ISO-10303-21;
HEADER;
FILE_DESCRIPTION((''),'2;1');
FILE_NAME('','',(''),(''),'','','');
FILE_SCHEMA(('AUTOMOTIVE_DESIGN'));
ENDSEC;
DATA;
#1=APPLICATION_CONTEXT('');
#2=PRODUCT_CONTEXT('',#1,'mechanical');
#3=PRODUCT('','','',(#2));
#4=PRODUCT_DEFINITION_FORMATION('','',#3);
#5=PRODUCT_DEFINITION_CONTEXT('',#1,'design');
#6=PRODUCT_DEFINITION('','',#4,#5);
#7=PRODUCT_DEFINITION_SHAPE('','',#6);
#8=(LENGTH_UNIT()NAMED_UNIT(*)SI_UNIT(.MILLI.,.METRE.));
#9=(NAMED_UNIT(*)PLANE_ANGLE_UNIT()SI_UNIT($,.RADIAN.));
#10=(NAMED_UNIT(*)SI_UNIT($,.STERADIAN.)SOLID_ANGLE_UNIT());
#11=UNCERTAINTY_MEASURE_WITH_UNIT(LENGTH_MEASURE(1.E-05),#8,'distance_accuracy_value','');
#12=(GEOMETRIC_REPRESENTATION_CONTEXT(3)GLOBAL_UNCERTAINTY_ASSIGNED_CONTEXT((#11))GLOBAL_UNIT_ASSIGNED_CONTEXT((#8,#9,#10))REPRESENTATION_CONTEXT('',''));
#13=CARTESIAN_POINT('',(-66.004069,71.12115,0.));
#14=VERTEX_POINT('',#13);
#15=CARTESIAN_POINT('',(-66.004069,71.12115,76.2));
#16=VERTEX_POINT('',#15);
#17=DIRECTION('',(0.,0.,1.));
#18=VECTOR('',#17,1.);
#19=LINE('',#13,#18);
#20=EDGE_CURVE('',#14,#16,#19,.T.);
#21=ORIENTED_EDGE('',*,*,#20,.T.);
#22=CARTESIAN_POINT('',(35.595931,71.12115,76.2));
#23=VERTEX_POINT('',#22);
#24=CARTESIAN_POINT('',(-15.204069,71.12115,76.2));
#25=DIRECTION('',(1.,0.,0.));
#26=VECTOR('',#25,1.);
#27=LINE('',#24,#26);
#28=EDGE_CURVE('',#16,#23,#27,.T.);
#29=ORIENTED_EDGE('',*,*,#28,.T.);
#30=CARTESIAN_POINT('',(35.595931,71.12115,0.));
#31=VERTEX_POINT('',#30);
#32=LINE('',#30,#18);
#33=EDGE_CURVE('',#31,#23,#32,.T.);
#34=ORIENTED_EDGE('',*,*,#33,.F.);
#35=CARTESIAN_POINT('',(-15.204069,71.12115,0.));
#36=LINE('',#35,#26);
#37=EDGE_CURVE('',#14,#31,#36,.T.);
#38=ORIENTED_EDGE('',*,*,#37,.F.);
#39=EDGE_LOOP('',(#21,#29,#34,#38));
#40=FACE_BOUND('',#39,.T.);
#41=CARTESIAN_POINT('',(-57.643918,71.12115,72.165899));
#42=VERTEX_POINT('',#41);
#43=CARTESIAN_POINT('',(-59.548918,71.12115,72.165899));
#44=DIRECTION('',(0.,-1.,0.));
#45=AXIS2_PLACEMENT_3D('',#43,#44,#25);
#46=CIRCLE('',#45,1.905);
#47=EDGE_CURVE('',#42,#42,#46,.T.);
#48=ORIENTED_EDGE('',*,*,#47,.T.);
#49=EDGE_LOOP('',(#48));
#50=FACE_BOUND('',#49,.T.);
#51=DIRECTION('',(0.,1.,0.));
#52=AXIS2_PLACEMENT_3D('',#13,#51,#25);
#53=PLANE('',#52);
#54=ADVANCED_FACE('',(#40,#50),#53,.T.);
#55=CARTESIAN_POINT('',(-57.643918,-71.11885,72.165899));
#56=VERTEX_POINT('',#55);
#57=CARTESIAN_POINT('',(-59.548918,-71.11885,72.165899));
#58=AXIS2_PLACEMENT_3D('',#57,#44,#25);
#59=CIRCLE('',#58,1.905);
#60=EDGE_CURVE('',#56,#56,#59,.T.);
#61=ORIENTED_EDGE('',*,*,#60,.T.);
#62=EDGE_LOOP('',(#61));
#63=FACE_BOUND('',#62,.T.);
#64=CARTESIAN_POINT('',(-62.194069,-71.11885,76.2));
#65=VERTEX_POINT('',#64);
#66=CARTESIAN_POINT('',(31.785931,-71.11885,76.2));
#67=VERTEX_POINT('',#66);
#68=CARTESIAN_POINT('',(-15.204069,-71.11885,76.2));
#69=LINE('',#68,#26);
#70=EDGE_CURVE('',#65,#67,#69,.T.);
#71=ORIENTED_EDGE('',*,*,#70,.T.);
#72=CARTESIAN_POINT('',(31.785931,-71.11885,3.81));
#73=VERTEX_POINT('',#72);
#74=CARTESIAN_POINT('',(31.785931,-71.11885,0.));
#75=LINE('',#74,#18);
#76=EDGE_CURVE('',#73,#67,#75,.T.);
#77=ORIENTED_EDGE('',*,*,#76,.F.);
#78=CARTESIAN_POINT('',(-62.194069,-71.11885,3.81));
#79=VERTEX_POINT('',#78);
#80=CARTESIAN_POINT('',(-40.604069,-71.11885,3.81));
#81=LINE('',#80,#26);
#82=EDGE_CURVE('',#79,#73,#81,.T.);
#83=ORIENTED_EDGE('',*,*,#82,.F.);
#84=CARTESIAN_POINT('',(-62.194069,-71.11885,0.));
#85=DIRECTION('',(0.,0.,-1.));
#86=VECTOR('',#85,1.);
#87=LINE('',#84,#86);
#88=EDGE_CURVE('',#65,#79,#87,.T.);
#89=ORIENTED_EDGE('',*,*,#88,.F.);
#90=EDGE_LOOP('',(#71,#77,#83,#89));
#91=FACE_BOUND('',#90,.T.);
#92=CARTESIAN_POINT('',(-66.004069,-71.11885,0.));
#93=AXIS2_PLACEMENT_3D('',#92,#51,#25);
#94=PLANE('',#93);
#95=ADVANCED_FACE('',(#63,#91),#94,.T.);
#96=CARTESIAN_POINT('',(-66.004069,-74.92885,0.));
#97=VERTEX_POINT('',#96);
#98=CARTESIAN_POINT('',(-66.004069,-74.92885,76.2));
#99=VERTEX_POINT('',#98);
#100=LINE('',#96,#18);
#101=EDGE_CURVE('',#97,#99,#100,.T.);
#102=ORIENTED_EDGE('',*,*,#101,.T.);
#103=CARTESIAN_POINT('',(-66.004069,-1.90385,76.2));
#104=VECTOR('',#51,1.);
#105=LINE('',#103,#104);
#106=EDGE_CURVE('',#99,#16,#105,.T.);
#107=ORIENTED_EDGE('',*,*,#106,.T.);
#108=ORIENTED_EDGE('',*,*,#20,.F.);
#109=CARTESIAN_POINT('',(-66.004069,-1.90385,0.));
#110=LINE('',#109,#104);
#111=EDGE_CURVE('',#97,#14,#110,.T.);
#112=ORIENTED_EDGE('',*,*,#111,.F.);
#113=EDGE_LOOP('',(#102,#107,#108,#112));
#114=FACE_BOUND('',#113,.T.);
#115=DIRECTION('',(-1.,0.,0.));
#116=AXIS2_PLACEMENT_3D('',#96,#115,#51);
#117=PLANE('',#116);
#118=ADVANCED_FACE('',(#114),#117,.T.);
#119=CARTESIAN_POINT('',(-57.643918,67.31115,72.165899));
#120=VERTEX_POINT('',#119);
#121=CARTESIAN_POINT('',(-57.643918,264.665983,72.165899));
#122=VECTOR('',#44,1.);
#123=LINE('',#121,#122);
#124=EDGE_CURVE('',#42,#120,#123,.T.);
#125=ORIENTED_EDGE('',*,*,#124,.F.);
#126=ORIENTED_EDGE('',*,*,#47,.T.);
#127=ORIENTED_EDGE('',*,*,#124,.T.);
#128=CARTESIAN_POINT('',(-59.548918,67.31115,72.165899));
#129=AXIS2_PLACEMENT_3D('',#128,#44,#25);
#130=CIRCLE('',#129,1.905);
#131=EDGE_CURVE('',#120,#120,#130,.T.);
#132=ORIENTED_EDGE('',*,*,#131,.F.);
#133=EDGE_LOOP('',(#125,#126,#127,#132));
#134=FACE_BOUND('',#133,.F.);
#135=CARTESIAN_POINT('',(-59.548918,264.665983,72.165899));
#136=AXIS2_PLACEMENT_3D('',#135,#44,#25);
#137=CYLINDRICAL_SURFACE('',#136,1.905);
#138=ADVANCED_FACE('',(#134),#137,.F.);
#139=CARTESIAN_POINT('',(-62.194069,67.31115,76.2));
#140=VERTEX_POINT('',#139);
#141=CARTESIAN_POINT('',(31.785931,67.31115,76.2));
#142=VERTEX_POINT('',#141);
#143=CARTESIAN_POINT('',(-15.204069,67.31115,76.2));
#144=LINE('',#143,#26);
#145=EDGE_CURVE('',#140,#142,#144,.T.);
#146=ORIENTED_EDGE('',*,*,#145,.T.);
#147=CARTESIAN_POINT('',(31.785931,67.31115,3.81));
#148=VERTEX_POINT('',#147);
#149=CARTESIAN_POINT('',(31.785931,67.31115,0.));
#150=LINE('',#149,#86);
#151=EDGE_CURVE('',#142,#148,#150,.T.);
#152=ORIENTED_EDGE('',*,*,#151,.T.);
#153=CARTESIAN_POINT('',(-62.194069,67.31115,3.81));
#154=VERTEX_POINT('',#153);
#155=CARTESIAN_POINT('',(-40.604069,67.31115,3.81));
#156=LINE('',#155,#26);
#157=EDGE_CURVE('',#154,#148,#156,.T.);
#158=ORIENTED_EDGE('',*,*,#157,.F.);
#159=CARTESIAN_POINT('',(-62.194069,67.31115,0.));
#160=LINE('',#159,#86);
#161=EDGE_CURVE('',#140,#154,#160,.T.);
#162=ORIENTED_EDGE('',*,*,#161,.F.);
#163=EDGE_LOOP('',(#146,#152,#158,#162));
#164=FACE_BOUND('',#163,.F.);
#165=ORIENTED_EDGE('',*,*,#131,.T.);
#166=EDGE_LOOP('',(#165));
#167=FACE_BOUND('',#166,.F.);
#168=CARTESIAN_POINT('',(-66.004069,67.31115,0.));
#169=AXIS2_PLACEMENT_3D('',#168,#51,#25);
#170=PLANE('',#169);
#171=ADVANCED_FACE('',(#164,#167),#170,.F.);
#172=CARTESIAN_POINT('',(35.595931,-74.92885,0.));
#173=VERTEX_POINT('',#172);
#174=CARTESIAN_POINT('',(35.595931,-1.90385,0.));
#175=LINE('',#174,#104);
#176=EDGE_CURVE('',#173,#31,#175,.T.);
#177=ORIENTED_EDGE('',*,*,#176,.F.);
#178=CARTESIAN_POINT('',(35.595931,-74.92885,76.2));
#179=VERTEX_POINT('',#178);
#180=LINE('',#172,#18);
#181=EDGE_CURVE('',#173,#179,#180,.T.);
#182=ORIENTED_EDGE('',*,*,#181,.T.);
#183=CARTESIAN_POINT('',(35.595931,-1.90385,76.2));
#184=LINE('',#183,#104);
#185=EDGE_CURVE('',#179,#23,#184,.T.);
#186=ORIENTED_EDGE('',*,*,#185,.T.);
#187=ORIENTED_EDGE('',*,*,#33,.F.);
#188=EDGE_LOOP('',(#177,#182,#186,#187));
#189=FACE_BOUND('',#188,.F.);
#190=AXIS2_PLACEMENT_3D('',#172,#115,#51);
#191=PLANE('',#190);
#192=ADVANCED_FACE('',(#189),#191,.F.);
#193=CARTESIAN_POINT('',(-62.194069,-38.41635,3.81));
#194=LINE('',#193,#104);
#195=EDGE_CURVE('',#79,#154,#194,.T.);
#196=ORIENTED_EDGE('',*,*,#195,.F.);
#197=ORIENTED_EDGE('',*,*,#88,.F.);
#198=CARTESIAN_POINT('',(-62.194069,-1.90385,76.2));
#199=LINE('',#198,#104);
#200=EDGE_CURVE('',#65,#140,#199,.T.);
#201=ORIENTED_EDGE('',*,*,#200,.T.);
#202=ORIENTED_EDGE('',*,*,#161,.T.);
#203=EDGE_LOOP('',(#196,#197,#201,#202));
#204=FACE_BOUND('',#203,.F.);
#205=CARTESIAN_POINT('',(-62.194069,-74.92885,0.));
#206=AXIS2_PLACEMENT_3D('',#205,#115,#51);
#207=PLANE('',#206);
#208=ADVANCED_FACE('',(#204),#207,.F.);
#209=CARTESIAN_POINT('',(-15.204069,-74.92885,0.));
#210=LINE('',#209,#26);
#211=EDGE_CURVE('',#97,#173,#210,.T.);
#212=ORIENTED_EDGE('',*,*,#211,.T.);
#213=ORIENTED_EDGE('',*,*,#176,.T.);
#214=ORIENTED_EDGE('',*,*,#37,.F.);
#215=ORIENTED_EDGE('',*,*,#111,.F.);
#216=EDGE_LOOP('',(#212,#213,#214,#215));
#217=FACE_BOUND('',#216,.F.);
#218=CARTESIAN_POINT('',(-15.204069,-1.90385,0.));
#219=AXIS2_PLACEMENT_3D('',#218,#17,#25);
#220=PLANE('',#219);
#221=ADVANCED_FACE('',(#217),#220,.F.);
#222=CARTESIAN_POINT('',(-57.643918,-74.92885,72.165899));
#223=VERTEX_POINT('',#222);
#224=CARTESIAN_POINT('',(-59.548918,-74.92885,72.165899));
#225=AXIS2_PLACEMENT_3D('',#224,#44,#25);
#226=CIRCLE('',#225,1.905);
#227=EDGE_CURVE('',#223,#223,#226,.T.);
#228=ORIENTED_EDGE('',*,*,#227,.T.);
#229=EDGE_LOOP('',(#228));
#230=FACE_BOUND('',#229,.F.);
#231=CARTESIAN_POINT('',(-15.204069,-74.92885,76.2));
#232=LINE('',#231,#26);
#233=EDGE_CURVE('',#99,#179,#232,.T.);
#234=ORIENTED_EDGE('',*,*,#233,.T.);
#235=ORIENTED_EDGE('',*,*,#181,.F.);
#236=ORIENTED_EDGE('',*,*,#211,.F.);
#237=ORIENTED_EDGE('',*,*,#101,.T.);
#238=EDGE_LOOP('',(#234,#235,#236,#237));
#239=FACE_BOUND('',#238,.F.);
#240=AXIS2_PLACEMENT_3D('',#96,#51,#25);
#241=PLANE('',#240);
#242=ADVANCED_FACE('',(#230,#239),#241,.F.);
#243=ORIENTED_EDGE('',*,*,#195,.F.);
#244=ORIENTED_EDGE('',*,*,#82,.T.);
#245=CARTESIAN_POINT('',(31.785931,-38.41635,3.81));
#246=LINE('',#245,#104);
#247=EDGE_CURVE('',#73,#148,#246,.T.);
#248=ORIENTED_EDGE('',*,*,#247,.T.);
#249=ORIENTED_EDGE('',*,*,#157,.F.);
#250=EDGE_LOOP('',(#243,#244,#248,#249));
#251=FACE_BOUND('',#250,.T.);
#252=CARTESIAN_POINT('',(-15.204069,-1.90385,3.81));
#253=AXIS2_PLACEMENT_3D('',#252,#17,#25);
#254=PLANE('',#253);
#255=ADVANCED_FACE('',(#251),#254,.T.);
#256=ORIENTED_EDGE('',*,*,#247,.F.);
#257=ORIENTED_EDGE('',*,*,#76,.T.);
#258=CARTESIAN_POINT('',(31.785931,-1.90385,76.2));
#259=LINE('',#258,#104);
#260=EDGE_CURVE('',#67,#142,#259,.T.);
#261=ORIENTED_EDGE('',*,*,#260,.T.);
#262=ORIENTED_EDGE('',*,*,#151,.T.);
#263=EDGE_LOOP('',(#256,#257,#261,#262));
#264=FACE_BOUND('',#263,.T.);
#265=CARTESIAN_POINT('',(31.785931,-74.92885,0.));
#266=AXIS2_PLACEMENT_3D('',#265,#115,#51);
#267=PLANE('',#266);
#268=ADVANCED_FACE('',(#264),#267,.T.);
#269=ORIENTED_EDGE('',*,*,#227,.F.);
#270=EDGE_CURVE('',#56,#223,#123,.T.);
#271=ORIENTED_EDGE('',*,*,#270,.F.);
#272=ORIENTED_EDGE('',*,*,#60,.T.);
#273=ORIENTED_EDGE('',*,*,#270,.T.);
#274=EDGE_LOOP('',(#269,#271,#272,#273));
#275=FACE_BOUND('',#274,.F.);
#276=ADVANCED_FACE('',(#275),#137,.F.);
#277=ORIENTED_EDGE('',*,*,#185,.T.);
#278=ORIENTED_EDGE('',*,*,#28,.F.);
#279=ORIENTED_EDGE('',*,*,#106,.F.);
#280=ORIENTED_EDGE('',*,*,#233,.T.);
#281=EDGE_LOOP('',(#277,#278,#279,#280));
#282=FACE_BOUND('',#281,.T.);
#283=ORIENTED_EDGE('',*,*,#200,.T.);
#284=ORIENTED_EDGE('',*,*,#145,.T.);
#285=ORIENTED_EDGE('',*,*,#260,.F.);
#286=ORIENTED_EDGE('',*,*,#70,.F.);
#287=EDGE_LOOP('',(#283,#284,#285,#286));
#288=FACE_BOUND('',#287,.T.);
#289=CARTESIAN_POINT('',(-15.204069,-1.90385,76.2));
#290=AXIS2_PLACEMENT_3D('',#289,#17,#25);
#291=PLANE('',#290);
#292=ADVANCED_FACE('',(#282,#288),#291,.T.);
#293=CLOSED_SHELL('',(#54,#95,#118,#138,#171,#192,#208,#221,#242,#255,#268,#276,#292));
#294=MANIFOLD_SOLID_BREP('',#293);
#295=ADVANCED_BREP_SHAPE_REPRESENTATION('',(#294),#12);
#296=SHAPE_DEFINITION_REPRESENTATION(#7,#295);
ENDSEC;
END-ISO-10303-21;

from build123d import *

# Parameters (mm, degrees)
F0_W     = 101.6
F0_H     = 146.05
F1_DEPTH = 76.2
F2_T     = -3.81
F4_D     = 3.81


with BuildPart() as f1:
    # F0 (on Top) → F1 (new body)
    with BuildSketch(Plane.XY):
        with Locations((-15.204069, -1.90385)):
            Rectangle(F0_W, F0_H)
    extrude(amount=F1_DEPTH)

    # F2
    f2_openings = [f1.faces().sort_by_distance(p)[0] for p in [
        (-15.204069, -1.90385, 76.2),
    ]]
    offset(amount=F2_T, openings=f2_openings)

    # F4 (through all)
    with Locations(Plane(origin=(0, 71.12115, 0), x_dir=(-1, 0, 0), z_dir=(0, 1, 0))):
        with Locations((59.548918, 72.165899)):
            Hole(F4_D / 2)


solid = f1.part
